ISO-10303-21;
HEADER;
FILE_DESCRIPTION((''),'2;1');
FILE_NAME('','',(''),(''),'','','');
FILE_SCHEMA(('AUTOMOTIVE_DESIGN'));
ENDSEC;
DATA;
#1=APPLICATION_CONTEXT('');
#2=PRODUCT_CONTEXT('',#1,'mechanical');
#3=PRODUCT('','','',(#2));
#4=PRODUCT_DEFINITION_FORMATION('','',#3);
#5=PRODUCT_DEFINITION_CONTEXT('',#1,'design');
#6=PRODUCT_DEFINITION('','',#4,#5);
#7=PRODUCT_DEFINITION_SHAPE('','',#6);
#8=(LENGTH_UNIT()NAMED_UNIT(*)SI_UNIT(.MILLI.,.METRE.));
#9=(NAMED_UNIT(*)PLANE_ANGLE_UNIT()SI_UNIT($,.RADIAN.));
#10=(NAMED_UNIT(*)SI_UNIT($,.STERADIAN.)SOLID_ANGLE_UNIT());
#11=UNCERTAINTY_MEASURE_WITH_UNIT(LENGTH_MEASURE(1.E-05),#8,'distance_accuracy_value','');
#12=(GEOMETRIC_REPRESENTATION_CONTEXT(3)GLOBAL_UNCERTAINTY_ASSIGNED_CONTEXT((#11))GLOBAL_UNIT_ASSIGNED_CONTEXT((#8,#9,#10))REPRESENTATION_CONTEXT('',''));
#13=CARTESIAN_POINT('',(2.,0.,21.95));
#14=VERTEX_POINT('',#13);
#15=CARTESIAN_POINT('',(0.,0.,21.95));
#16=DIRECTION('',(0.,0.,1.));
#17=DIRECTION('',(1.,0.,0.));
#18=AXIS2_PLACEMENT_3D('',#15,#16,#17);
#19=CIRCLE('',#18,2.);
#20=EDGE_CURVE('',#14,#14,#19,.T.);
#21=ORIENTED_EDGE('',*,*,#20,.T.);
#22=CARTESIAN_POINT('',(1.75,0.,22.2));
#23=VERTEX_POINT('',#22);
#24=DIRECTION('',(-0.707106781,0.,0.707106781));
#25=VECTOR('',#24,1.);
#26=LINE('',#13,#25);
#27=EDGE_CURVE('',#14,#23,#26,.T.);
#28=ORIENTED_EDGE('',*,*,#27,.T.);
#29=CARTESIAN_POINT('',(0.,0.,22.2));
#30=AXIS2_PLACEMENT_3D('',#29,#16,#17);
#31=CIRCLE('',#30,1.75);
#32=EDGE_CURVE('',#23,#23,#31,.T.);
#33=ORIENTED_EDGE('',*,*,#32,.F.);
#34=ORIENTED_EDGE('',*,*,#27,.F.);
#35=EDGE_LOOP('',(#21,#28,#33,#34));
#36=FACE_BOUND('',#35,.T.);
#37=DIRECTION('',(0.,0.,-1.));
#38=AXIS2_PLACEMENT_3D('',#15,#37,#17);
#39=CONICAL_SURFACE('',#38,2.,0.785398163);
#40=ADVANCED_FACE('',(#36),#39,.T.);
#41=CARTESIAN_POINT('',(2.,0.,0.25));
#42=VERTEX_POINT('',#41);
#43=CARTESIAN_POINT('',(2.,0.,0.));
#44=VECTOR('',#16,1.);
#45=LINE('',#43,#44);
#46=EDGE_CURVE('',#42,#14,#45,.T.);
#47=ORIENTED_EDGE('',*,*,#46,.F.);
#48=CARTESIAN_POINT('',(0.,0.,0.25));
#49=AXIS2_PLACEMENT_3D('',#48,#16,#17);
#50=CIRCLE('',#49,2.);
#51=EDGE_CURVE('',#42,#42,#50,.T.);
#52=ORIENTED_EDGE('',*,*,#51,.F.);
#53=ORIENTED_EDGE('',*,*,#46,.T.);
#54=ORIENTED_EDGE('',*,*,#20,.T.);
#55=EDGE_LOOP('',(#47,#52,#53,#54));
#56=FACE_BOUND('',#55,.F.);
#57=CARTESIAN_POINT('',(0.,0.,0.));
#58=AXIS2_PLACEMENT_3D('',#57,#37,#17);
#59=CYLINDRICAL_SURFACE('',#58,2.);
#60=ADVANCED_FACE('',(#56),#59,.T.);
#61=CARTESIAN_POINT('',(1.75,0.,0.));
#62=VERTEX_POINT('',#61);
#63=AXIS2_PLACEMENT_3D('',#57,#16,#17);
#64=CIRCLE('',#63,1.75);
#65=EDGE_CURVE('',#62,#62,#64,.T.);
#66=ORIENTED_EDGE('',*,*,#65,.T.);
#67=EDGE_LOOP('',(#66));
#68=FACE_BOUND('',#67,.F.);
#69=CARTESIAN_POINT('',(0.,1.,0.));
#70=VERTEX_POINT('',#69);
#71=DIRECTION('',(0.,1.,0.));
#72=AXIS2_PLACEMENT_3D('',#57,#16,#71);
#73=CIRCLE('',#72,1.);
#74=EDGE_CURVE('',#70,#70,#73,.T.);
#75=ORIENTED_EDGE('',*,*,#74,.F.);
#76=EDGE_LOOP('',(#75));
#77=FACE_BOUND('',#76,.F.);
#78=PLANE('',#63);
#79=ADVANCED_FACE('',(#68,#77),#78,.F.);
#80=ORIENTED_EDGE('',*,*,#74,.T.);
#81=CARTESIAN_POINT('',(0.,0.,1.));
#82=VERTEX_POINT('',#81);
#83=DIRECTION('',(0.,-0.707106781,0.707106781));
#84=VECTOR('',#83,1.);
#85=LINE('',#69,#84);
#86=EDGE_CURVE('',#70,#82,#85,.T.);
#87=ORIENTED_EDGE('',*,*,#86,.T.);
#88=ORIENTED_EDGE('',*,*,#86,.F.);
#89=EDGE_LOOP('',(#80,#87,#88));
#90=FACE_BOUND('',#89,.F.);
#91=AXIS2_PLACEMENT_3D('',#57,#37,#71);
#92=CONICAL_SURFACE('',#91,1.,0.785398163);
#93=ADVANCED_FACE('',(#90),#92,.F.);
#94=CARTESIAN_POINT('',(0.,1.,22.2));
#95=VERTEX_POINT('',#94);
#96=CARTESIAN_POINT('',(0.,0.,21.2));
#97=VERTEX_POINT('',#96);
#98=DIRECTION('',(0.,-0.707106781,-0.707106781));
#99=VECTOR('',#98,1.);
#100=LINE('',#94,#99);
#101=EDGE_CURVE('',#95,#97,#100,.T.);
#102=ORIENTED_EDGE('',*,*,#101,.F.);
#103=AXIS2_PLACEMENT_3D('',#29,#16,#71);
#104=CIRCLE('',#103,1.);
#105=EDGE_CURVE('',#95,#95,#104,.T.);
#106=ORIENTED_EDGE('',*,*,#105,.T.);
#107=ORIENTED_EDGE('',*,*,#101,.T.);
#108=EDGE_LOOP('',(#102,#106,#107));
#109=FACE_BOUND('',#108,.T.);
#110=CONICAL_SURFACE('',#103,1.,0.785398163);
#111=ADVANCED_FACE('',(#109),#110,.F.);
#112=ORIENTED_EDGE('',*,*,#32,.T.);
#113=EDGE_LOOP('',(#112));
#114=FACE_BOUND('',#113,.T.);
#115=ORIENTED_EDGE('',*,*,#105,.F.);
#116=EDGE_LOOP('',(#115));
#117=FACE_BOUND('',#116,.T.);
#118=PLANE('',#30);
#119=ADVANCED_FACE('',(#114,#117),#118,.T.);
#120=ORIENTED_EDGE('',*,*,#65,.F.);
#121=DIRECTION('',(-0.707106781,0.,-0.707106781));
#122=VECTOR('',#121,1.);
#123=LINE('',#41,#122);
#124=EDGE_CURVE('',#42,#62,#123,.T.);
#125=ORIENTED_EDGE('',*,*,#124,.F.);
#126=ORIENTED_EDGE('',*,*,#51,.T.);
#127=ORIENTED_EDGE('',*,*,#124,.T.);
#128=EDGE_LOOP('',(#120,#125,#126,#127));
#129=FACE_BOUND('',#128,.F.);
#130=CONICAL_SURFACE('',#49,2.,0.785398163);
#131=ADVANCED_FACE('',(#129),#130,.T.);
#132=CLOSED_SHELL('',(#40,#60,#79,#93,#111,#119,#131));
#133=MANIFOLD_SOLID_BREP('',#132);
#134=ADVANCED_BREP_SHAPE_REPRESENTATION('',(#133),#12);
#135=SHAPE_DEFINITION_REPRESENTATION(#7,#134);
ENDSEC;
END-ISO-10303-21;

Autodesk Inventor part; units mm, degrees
ref_plane "YZ Plane" through (0, 0, 0) normal (1, 0, 0) x (0, 1, 0)
ref_plane "XZ Plane" through (0, 0, 0) normal (0, 1, 0) x (-1, 0, 0)
ref_plane "XY Plane" through (0, 0, 0) normal (0, 0, 1) x (1, 0, 0)
sketch "Sketch1" plane through (0, 0, 0) normal (0, 0, 1) x (1, 0, 0)
  circle A0 centre (0, 0) radius 2
  dimension "d0" = 4
extrude "Extrusion1" add sketch "Sketch1" along normal blind 22.2
chamfer "Chamfer1" distance 0.25 angle 45 2 edges at (-2, 0, 22.2) (-2, 0, 0)
sketch "Sketch2" plane through (0, 0, 0) normal (1, 0, 0) x (0, 1, 0)
  line L0 (2, 0.25) -> (1.75, 0) projected
  line L1 (1.75, 0) -> (-1.75, 0) projected
  line L2 (-1.75, 0) -> (-2, 0.25) projected
  line L3 (-2, 0.25) -> (-2, 21.95) projected
  line L4 (-2, 21.95) -> (-1.75, 22.2) projected
  line L5 (-1.75, 22.2) -> (1.75, 22.2) projected
  line L6 (1.75, 22.2) -> (2, 21.95) projected
  line L7 (2, 21.95) -> (2, 0.25) projected
  line L8 (-1.75, 22.2) -> (1.75, 22.2) projected
  line L9 (1, 22.2) -> (0, 21.2)
  line L10 (0, 21.2) -> (0, 22.2)
  line L11 (1, 0) -> (0, 1)
  line L12 (0, 1) -> (0, 0)
  line L13 (0, -4.4) -> (0, 26.4) projected
  dimension "d6" = 1
  dimension "d7" = 1
  dimension "d8" = 45
revolve "Revolution1" cut sketch "Sketch2" angle 360 about axis through (0, 0, -10) along (0, 0, 1) contours L1 L12 L11 | L9 L10 L5
equation "\"d7\" = d6"
properties part number "MotorBeltTensionerAxis"
